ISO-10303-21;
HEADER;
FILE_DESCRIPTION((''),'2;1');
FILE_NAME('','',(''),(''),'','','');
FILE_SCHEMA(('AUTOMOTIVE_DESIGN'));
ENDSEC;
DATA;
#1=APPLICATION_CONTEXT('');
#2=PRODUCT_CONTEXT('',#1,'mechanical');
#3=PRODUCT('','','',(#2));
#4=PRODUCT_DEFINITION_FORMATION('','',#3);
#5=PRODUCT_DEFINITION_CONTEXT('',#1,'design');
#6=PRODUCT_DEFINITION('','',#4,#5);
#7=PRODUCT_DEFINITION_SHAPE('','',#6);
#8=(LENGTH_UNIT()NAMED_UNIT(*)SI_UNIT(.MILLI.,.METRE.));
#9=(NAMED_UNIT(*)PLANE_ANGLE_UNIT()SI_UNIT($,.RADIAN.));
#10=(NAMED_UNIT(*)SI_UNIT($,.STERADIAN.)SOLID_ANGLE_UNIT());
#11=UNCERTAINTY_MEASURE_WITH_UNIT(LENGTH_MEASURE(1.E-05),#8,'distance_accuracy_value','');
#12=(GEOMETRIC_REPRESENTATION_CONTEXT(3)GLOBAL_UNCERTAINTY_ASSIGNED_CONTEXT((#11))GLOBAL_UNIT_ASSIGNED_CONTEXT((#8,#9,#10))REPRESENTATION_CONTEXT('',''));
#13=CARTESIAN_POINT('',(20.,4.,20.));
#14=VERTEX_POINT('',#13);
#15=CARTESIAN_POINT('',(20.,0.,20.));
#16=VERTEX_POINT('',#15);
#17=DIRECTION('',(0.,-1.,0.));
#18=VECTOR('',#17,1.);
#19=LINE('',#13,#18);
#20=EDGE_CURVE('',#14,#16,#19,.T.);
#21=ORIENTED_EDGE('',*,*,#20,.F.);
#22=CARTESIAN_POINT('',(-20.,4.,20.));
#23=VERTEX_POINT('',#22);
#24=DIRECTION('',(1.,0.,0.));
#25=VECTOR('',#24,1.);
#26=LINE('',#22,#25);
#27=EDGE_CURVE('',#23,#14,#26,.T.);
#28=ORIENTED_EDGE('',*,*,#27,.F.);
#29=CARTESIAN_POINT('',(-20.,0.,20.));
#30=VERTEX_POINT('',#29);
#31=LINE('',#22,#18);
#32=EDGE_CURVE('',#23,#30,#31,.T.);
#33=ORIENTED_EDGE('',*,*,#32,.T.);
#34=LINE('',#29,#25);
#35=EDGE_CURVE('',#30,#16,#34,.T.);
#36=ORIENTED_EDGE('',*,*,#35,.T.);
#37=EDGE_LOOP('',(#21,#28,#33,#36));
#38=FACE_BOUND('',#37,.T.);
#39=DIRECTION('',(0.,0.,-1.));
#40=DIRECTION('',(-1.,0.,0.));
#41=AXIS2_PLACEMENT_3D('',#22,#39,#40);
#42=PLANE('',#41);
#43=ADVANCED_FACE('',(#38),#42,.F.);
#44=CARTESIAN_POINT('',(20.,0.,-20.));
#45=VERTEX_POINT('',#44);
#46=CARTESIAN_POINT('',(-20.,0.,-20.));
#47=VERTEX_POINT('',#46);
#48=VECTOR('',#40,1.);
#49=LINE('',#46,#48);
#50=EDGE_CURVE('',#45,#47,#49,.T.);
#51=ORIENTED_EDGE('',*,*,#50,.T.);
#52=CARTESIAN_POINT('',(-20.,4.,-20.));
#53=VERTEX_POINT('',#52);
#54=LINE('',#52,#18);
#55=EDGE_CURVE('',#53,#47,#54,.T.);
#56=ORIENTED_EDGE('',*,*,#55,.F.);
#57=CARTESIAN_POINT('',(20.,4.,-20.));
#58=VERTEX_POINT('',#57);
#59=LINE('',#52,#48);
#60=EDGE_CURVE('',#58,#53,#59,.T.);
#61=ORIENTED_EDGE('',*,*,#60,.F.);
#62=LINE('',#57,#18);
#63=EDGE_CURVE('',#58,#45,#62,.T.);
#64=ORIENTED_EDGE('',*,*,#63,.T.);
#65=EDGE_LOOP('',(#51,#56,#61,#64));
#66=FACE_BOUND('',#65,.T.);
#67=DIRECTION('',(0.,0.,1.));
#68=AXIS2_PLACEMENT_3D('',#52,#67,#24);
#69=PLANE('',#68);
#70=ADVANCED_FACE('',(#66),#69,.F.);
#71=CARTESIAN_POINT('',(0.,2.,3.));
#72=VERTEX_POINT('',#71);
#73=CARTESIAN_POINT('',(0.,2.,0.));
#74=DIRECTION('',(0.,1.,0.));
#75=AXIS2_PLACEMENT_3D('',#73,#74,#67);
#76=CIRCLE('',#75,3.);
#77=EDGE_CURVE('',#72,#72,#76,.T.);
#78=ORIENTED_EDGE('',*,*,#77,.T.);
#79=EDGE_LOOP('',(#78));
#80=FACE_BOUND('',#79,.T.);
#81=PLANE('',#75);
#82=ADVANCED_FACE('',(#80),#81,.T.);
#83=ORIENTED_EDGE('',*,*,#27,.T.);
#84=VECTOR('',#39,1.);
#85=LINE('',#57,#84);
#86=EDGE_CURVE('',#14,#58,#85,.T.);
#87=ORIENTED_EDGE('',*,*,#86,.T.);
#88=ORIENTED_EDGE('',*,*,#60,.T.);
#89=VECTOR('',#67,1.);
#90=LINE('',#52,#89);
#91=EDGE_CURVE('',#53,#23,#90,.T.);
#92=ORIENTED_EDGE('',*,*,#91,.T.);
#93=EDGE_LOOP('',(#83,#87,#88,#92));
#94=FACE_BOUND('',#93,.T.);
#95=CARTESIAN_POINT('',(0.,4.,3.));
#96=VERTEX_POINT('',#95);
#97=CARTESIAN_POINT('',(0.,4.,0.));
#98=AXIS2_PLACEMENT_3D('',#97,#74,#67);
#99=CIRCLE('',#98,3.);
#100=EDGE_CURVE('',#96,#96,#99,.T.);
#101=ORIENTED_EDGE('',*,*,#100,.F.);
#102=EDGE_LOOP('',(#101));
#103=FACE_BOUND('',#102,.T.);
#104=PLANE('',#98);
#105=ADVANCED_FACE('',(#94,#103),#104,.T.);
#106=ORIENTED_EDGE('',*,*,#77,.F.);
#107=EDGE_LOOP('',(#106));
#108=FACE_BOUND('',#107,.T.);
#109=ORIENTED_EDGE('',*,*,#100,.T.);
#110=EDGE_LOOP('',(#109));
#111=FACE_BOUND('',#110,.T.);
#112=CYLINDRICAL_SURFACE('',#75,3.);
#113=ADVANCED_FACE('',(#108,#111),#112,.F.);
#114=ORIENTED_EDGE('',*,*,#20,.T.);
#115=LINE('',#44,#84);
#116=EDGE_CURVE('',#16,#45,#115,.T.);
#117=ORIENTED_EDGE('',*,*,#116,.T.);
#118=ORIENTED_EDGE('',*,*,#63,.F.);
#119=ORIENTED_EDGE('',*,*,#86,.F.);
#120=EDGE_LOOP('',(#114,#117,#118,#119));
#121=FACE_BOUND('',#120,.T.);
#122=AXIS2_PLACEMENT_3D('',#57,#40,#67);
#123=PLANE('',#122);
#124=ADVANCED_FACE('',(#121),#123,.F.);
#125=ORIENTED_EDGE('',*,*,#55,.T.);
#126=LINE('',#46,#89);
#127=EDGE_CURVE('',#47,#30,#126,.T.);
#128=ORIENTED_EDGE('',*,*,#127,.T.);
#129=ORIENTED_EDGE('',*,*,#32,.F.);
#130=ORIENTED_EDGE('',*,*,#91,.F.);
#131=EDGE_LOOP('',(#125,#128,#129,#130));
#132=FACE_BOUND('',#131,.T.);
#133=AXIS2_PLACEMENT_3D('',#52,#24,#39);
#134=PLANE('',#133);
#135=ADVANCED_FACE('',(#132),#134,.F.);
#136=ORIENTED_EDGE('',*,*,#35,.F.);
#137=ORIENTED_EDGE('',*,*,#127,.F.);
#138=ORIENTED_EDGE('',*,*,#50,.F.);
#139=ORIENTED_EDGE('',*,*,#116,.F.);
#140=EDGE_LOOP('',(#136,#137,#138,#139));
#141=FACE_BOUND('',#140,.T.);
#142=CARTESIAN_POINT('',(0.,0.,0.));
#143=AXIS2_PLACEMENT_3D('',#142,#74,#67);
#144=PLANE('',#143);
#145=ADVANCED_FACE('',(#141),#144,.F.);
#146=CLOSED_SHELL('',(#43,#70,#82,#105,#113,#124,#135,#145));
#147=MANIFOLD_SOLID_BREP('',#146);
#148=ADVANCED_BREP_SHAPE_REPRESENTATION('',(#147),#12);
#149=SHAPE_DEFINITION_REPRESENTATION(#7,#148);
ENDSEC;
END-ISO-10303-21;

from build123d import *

# Parameters (mm, degrees)
SKETCH1_W           = 40
SKETCH1_H           = 40
BOSS_EXTRUDE1_DEPTH = 4
SKETCH2_R           = 3
CUT_EXTRUDE1_DEPTH  = 2


with BuildPart() as part:
    # Sketch1 → Boss-Extrude1 (new body)
    with BuildSketch(Plane(origin=(0, 0, 0), x_dir=(1, 0, 0), z_dir=(0, 1, 0))):
        Rectangle(SKETCH1_W, SKETCH1_H)
    extrude(amount=BOSS_EXTRUDE1_DEPTH)

    # Sketch2 → Cut-Extrude1 (cut)
    with BuildSketch(Plane(origin=(0, 4, 0), x_dir=(1, 0, 0), z_dir=(0, 1, 0))):
        with Locations(Location((0, 0, 0), (0, 0, 270))):
            Circle(SKETCH2_R)
    extrude(amount=-CUT_EXTRUDE1_DEPTH, mode=Mode.SUBTRACT)


solid = part.part
